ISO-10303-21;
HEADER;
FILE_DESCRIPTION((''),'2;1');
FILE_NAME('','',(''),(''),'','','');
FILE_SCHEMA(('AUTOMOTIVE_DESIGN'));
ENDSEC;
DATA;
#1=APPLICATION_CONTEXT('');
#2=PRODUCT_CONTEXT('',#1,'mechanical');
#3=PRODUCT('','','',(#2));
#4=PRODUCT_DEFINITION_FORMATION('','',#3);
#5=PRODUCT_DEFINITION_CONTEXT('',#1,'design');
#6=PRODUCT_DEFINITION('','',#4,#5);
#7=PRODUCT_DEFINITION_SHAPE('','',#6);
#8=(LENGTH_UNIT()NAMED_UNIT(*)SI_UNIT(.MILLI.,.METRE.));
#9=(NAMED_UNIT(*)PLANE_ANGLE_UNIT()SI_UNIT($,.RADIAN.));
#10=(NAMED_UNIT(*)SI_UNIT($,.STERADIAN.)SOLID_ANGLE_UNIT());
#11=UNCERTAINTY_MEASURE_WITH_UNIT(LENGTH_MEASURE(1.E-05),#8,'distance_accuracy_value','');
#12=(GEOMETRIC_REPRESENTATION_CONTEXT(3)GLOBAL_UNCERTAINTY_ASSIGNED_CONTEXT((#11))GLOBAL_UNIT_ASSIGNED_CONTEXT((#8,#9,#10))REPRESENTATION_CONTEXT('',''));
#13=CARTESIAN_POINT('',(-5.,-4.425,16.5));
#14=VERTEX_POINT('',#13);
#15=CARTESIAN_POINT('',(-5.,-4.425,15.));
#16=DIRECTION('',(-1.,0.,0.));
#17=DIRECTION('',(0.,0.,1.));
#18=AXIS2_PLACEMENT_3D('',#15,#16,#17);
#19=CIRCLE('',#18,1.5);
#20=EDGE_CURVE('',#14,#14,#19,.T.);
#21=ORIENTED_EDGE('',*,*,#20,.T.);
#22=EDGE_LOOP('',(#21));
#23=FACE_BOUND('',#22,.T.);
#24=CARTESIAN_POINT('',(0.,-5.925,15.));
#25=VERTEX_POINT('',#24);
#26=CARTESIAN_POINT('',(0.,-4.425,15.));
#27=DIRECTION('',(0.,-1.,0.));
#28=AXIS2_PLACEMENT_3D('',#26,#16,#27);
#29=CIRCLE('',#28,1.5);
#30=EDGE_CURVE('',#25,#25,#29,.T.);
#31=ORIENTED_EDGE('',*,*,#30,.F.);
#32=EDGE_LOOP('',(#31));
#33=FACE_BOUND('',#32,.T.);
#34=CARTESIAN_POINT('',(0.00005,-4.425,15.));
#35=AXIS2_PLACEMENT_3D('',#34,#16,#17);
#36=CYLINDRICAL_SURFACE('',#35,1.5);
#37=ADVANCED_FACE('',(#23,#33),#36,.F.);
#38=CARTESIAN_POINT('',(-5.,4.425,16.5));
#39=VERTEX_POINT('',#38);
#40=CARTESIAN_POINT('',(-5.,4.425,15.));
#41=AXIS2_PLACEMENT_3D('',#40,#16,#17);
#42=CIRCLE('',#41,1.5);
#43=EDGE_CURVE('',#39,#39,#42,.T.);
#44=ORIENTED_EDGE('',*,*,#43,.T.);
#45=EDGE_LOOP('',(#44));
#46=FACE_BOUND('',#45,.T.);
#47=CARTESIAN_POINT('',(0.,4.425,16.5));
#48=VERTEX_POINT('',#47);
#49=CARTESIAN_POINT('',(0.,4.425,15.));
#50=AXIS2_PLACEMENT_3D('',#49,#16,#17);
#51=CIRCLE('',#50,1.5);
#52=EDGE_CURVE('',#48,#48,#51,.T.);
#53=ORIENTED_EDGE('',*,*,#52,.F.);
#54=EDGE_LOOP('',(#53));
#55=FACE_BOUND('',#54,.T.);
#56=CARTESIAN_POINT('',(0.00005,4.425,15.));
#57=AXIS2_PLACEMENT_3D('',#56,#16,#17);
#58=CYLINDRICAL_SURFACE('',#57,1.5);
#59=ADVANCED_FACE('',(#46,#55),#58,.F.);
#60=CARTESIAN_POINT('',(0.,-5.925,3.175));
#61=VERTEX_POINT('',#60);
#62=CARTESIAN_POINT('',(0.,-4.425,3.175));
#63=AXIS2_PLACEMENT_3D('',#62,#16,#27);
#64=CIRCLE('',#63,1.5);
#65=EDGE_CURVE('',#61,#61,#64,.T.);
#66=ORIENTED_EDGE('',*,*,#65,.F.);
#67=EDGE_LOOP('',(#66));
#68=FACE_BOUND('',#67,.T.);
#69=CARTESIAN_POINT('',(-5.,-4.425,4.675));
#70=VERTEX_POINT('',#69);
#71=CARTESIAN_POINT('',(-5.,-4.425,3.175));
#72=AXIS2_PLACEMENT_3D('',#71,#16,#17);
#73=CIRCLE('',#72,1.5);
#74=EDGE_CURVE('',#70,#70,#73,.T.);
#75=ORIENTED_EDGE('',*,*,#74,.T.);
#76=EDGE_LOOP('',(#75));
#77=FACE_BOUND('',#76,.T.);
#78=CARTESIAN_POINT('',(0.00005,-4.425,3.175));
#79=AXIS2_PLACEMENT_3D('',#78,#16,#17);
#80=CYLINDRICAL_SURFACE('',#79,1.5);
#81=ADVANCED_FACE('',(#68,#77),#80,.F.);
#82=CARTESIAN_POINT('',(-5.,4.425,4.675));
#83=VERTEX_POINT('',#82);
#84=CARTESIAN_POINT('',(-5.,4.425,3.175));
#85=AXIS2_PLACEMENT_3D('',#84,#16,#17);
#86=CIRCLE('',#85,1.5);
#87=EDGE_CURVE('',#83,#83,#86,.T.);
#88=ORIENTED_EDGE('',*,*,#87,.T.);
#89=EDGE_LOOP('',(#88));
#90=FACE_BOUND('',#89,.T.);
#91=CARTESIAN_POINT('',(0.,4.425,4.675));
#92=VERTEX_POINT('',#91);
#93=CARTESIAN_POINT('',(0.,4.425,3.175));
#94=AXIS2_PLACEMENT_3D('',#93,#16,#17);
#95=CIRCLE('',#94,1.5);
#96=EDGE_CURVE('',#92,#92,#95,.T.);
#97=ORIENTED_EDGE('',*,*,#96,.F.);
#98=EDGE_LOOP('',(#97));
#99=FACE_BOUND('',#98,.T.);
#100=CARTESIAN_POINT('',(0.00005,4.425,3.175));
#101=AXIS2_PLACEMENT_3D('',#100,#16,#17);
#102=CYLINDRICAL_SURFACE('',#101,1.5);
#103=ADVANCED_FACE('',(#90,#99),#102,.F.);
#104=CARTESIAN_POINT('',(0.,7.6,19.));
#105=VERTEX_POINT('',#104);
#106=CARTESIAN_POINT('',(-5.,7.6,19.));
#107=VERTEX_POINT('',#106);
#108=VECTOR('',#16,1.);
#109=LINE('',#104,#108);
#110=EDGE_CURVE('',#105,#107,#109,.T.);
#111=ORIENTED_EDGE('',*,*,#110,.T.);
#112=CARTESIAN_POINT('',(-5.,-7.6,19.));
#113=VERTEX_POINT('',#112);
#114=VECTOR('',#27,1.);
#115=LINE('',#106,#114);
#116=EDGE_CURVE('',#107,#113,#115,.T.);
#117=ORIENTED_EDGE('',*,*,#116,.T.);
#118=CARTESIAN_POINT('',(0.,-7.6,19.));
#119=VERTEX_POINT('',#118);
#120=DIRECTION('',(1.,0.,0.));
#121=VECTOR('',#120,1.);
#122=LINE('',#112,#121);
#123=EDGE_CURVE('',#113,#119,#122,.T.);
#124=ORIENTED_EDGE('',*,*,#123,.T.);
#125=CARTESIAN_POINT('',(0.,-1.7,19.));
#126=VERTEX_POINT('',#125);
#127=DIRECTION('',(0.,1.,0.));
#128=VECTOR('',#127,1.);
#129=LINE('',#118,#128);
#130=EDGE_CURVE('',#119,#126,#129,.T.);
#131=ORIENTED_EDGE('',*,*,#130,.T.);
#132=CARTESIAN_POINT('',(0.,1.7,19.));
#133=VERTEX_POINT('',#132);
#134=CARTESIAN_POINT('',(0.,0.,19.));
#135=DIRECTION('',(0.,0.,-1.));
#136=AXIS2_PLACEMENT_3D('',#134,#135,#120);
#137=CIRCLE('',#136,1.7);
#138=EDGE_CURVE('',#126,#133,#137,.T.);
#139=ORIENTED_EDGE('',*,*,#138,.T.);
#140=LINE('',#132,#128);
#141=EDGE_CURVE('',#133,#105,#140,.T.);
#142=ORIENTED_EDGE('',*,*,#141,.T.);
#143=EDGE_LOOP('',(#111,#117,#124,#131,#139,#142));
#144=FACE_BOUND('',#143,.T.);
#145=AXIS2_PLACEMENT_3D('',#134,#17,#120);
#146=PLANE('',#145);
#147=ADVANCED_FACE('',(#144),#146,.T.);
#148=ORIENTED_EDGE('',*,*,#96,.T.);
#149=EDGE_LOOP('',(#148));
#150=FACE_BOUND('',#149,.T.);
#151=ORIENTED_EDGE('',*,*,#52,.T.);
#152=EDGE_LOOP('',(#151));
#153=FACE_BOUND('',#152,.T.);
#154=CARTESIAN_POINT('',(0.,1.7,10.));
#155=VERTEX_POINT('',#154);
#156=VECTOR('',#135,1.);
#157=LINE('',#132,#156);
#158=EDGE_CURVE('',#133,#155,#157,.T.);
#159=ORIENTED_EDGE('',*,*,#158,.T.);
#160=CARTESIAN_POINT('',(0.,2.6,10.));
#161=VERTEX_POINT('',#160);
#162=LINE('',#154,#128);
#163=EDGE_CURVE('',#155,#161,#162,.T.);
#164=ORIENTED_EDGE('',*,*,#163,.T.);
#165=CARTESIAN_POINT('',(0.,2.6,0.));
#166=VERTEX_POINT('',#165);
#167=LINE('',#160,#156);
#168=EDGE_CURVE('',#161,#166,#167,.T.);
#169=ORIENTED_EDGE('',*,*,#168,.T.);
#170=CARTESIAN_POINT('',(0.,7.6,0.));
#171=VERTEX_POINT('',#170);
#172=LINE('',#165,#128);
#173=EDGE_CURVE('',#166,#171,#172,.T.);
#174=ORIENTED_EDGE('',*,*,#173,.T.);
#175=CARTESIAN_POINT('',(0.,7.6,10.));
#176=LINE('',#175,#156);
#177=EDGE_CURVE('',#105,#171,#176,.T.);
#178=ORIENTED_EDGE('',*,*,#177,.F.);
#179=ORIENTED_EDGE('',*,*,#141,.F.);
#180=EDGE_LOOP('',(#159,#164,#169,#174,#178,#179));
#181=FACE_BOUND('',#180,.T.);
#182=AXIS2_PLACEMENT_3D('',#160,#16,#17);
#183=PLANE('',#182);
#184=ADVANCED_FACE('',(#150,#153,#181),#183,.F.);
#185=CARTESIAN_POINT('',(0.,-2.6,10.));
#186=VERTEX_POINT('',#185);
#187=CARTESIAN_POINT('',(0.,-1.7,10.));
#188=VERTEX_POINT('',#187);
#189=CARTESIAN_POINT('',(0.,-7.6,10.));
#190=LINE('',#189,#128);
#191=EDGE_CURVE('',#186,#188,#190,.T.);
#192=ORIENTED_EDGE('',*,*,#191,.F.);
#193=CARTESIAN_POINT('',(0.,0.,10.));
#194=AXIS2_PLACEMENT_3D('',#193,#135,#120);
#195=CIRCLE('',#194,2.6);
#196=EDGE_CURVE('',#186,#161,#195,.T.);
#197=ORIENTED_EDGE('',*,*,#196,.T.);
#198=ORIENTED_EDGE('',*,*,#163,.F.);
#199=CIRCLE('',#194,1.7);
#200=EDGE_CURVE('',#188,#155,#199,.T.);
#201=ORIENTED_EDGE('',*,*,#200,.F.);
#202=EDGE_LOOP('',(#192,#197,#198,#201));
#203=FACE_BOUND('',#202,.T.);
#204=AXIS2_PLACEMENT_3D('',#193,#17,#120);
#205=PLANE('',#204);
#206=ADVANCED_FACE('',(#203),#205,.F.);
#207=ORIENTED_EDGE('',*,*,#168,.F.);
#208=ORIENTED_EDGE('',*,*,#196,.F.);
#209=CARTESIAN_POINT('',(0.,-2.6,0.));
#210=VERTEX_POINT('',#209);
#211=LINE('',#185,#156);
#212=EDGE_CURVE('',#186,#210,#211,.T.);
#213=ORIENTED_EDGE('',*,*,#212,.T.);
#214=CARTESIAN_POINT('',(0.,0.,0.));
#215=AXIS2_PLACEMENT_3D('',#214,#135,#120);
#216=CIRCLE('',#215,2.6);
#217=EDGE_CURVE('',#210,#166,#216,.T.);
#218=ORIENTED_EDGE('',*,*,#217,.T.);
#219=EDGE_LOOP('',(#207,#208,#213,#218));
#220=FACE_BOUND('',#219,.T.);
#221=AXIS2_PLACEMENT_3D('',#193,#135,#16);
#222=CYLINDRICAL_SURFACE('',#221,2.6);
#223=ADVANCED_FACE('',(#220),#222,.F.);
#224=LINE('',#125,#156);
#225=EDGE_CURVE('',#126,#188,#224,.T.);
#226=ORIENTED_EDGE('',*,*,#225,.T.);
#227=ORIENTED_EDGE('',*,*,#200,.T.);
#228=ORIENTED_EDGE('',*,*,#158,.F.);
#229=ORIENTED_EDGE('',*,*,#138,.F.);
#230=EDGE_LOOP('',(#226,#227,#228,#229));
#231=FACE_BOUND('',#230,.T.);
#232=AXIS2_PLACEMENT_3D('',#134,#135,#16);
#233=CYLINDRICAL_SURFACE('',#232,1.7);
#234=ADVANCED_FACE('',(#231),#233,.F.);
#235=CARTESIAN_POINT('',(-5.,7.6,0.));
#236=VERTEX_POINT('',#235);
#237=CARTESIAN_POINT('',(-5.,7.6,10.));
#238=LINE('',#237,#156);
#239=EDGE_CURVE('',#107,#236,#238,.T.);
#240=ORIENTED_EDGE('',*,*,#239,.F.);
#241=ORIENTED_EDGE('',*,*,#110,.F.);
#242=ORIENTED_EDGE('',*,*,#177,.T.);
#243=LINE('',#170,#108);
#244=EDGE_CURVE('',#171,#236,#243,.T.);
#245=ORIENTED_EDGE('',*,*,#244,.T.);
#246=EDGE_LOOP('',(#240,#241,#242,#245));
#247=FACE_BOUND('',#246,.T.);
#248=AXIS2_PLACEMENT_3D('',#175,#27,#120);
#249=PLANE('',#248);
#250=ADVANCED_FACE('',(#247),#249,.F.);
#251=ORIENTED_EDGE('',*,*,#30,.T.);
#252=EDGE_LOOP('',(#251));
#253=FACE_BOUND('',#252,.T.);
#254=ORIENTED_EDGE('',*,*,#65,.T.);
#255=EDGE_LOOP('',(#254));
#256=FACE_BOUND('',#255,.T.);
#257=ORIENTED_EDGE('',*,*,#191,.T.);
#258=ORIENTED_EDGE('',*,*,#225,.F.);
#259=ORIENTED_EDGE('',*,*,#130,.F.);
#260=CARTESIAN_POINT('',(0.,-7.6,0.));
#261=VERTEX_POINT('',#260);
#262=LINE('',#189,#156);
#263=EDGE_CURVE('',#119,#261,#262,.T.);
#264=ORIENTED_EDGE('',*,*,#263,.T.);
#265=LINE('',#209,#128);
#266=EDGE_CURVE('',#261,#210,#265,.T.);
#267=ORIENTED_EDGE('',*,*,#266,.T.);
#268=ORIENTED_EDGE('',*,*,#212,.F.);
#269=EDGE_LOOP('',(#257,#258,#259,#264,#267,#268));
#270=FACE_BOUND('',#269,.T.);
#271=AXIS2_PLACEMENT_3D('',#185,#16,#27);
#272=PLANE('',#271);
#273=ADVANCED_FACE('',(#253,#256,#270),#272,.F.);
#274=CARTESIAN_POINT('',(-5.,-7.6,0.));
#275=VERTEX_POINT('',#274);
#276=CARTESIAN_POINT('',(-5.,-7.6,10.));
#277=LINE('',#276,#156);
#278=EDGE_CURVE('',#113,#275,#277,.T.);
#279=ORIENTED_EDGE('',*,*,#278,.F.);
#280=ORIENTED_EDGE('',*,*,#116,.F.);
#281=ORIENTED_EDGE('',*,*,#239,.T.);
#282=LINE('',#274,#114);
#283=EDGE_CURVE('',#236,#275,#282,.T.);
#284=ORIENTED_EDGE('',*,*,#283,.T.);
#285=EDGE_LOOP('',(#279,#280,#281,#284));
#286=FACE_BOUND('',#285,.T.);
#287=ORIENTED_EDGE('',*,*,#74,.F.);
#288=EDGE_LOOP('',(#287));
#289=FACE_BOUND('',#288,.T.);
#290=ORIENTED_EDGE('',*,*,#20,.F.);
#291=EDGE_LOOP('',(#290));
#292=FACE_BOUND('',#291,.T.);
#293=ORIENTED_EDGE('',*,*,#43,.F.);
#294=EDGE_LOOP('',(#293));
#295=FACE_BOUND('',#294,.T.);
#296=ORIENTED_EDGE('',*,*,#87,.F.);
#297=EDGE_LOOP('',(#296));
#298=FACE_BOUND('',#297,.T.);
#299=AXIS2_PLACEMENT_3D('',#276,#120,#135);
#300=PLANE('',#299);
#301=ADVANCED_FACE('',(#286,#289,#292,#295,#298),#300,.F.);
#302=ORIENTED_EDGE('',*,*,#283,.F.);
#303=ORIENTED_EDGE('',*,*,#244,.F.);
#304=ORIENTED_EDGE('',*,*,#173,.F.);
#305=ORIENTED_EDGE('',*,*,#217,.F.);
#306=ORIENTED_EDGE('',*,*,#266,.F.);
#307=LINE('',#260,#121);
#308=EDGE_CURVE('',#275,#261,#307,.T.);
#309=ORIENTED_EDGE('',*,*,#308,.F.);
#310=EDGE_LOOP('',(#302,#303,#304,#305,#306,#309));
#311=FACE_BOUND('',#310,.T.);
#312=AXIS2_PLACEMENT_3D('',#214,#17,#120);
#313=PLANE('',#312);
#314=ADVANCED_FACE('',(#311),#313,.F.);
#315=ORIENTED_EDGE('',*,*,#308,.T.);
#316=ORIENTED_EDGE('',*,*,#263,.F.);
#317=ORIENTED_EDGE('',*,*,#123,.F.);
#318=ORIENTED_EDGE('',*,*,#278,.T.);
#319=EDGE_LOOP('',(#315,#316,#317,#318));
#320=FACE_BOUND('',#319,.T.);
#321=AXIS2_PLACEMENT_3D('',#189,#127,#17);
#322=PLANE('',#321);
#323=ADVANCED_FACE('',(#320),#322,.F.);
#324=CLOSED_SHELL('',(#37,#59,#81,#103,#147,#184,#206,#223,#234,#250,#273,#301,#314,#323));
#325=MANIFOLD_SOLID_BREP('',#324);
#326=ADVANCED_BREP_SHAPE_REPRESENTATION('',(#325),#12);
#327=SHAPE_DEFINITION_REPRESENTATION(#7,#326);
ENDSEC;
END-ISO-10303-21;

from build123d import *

# Parameters (mm, degrees)
EXTRUDE1_DEPTH = 10
EXTRUDE2_DEPTH = 9
SKETCH4_R      = 1.5
EXTRUDE3_DEPTH = 6


with BuildPart() as part:
    # Sketch1 → Extrude1 (new body)
    with BuildSketch(Plane.XY):
        with BuildLine():
            Line((0, 2.6), (0, 7.6))
            Line((0, 7.6), (-5, 7.6))
            Line((-5, 7.6), (-5, -7.6))
            Line((-5, -7.6), (0, -7.6))
            Line((0, -7.6), (0, -2.6))
            ThreePointArc((0, -2.6), (-2.6, 0), (0, 2.6))
        make_face()
    extrude(amount=EXTRUDE1_DEPTH)

    # Sketch2 → Extrude2 (add)
    with BuildSketch(Plane.XY.offset(10)):
        with BuildLine():
            Line((0, 1.7), (0, 7.6))
            Line((0, 7.6), (-5, 7.6))
            Line((-5, 7.6), (-5, -7.6))
            Line((-5, -7.6), (0, -7.6))
            Line((0, -7.6), (0, -1.7))
            ThreePointArc((0, -1.7), (-1.7, 0), (0, 1.7))
        make_face()
    extrude(amount=EXTRUDE2_DEPTH)

    # Sketch4 → Extrude3 (cut, through all)
    with BuildSketch(Plane.ZY.offset(5)):
        with Locations((3.175, 4.425)):
            Circle(SKETCH4_R)
        with Locations((15, 4.425)):
            Circle(SKETCH4_R)
        with Locations((15, -4.425)):
            Circle(SKETCH4_R)
        with Locations((3.175, -4.425)):
            Circle(SKETCH4_R)
    extrude(amount=-EXTRUDE3_DEPTH, mode=Mode.SUBTRACT)


solid = part.part
